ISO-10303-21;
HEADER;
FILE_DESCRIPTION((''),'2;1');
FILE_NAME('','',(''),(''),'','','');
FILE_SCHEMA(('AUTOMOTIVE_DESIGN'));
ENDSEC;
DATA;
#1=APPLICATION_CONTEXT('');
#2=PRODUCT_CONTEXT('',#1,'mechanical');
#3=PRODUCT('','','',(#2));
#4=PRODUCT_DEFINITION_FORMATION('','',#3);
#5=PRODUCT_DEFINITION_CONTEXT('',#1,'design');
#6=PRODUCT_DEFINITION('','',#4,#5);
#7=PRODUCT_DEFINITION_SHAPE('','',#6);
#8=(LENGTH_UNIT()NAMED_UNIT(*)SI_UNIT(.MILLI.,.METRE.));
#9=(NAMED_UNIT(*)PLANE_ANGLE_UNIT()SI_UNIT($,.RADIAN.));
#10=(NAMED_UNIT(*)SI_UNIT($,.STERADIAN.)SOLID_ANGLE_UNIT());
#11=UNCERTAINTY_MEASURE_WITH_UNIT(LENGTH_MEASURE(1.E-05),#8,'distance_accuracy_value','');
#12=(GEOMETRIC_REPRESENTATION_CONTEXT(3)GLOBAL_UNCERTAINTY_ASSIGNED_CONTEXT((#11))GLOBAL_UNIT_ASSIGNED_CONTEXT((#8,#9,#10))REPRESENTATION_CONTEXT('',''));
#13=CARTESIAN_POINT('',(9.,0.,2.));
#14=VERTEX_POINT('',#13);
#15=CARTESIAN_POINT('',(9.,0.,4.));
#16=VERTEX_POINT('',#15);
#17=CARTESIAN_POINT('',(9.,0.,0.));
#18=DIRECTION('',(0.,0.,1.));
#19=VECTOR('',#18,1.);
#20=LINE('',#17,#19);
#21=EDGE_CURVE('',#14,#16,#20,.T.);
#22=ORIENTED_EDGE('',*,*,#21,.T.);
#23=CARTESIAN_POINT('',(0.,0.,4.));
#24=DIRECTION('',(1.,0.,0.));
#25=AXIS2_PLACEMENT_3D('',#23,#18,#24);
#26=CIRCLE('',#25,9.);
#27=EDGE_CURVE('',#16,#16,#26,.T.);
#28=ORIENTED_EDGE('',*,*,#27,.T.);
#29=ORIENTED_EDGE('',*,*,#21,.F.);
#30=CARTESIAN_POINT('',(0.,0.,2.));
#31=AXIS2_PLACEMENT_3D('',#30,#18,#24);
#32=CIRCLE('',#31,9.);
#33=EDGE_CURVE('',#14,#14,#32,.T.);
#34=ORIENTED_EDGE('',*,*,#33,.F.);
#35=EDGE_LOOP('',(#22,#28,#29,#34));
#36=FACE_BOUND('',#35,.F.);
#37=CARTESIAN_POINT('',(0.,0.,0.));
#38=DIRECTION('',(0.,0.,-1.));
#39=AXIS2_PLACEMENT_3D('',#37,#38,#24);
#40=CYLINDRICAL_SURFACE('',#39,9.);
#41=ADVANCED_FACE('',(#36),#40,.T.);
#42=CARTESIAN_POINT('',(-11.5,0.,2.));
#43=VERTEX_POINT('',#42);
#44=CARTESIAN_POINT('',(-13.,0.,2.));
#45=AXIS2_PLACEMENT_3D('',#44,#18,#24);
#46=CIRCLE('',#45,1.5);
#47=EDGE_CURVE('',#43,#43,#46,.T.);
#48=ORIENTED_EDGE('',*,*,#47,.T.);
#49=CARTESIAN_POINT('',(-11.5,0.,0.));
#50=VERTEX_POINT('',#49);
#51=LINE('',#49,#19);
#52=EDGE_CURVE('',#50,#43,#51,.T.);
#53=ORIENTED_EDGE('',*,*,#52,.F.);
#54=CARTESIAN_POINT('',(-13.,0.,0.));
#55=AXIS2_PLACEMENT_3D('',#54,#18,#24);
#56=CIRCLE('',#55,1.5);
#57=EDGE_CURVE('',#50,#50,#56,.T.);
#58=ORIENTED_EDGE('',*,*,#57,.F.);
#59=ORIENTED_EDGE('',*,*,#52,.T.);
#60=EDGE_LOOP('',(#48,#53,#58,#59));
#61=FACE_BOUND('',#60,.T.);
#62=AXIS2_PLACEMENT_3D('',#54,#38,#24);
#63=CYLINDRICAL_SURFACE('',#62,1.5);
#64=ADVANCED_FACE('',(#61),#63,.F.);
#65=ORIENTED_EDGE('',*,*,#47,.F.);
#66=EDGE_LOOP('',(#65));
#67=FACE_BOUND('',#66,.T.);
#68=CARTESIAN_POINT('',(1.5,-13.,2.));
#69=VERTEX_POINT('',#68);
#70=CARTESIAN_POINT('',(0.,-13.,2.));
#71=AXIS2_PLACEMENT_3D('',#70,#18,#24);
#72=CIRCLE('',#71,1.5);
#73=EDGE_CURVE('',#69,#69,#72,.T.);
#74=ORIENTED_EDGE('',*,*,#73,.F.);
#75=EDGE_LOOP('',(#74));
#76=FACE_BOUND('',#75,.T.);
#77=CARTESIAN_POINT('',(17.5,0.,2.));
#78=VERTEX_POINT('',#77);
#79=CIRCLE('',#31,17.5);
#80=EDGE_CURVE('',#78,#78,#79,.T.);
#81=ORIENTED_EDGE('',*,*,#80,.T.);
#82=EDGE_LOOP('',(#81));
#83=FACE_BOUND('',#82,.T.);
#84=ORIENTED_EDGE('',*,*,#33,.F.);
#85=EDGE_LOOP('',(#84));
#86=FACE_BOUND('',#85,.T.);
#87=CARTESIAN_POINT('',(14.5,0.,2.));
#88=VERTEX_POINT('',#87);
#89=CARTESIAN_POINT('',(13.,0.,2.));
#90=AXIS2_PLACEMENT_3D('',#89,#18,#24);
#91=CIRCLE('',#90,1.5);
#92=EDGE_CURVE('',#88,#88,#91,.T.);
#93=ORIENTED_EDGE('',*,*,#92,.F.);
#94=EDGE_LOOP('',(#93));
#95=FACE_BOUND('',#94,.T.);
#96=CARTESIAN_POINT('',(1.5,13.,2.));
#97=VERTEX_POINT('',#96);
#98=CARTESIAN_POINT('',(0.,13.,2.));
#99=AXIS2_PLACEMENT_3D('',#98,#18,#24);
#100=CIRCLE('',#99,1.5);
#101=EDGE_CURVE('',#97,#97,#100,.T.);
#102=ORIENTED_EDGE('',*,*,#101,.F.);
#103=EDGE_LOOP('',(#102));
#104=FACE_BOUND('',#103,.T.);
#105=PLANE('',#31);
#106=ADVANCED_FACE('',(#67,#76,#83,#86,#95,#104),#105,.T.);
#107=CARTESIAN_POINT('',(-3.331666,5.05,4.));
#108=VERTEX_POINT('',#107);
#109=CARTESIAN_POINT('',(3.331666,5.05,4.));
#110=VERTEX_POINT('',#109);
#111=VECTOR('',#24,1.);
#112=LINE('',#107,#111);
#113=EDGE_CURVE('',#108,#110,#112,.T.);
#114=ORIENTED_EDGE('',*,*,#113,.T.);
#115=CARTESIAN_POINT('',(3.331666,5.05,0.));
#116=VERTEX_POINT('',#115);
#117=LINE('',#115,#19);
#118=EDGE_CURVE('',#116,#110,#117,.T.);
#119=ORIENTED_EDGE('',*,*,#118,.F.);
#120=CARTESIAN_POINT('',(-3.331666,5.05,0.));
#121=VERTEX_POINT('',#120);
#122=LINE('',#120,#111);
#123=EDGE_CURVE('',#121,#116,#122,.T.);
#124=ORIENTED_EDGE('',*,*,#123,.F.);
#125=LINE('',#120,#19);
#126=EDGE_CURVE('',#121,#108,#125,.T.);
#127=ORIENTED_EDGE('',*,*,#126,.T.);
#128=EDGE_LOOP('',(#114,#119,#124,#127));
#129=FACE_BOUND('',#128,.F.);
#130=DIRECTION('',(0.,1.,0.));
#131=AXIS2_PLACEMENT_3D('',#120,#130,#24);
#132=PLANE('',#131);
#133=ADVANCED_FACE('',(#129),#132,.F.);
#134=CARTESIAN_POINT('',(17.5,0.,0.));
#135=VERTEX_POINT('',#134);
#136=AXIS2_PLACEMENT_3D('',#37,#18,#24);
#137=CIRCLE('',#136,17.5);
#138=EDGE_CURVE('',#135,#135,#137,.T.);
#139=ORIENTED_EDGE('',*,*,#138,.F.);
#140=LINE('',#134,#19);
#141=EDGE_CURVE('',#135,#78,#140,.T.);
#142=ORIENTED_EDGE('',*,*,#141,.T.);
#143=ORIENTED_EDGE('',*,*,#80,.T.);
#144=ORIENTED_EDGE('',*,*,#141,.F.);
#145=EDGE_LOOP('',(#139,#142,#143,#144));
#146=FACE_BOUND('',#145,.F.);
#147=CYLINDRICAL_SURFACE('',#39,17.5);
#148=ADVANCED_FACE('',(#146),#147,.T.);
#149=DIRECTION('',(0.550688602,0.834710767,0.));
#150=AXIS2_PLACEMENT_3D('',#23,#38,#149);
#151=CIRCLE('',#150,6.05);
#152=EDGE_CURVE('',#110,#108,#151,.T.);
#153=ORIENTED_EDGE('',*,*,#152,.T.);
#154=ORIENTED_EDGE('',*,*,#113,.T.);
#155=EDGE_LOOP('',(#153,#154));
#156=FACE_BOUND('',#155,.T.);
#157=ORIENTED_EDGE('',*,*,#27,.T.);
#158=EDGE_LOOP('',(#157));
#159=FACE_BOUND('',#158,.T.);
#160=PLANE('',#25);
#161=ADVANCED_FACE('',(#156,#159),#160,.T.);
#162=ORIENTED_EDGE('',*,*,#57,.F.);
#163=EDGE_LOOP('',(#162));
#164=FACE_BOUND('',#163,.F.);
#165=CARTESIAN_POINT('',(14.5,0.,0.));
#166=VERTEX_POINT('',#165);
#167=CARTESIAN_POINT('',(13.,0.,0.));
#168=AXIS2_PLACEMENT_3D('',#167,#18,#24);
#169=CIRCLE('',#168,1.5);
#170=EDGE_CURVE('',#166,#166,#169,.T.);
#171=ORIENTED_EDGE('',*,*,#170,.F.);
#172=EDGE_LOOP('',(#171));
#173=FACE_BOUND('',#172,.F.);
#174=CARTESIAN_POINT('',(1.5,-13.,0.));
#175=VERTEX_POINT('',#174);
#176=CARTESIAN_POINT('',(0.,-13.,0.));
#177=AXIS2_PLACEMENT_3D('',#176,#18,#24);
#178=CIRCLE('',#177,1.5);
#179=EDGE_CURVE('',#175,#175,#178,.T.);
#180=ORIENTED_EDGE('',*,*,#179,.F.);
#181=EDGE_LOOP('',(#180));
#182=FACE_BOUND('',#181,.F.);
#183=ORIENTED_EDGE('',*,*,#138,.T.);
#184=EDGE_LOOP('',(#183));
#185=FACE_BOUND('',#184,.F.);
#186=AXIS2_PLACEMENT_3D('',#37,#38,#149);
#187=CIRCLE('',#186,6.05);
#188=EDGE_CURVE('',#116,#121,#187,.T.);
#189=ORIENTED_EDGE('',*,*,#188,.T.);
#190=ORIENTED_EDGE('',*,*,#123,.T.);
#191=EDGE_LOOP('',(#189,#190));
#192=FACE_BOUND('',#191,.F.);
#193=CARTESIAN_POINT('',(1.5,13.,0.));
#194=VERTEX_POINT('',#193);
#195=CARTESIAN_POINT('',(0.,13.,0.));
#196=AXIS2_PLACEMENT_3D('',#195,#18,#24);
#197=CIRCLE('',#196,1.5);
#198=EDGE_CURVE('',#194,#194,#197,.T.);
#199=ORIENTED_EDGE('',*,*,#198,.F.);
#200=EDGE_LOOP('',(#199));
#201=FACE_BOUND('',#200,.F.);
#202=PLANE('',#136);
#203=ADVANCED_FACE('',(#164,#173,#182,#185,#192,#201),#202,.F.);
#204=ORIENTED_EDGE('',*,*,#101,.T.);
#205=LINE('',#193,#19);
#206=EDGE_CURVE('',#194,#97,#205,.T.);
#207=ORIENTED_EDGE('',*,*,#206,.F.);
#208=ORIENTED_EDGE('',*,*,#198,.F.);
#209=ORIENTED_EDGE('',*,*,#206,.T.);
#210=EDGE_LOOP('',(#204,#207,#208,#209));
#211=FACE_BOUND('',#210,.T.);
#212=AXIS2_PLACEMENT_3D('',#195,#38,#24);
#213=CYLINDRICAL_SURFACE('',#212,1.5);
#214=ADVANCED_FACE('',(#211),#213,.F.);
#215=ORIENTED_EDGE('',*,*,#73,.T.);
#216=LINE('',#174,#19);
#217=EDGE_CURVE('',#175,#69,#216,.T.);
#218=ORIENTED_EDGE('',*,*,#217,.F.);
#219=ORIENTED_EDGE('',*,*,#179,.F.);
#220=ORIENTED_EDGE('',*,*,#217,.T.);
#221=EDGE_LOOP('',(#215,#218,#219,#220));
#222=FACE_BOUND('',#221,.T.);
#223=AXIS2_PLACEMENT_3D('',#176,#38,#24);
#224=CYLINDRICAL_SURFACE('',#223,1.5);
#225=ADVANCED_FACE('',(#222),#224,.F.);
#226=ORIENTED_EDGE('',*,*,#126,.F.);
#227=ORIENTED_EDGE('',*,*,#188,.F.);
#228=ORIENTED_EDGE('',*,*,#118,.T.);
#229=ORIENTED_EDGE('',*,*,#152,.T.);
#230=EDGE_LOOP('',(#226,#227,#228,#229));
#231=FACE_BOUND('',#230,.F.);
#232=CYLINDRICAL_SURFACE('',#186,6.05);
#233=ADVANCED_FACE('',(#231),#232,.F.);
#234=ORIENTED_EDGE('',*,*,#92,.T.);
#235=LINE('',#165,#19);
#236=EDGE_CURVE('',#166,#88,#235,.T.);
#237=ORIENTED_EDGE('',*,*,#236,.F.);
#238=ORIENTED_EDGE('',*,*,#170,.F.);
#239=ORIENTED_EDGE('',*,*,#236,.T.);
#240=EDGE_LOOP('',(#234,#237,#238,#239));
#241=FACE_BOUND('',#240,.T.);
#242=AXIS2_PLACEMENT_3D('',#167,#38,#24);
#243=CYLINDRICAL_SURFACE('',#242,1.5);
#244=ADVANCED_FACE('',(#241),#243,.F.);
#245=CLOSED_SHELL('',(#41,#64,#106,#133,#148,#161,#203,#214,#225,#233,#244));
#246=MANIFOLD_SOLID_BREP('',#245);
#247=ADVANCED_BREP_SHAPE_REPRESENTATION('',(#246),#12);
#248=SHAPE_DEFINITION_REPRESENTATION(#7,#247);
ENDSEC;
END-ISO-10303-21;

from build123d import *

# Parameters (mm, degrees)
F0_R     = 9
F1_DEPTH = 4
F0_R_2   = 17.5
F0_R_3   = 1.5
F2_DEPTH = 2


with BuildPart() as f1:
    # F0 (on Top) → F1 (new body)
    with BuildSketch(Plane.XY):
        Circle(F0_R)
        with BuildLine():
            ThreePointArc((3.331666, 5.05), (0, -6.05), (-3.331666, 5.05))
            Line((-3.331666, 5.05), (3.331666, 5.05))
        make_face(mode=Mode.SUBTRACT)
    extrude(amount=F1_DEPTH)

    # F0 (on Top) → F2 (join)
    with BuildSketch(Plane.XY):
        Circle(F0_R_2)
        with Locations((0, -13)):
            Circle(F0_R_3, mode=Mode.SUBTRACT)
        with Locations((-13, 0)):
            Circle(F0_R_3, mode=Mode.SUBTRACT)
        Circle(F0_R, mode=Mode.SUBTRACT)
        with Locations((13, 0)):
            Circle(F0_R_3, mode=Mode.SUBTRACT)
        with Locations((0, 13)):
            Circle(F0_R_3, mode=Mode.SUBTRACT)
    extrude(amount=F2_DEPTH)


solid = f1.part
